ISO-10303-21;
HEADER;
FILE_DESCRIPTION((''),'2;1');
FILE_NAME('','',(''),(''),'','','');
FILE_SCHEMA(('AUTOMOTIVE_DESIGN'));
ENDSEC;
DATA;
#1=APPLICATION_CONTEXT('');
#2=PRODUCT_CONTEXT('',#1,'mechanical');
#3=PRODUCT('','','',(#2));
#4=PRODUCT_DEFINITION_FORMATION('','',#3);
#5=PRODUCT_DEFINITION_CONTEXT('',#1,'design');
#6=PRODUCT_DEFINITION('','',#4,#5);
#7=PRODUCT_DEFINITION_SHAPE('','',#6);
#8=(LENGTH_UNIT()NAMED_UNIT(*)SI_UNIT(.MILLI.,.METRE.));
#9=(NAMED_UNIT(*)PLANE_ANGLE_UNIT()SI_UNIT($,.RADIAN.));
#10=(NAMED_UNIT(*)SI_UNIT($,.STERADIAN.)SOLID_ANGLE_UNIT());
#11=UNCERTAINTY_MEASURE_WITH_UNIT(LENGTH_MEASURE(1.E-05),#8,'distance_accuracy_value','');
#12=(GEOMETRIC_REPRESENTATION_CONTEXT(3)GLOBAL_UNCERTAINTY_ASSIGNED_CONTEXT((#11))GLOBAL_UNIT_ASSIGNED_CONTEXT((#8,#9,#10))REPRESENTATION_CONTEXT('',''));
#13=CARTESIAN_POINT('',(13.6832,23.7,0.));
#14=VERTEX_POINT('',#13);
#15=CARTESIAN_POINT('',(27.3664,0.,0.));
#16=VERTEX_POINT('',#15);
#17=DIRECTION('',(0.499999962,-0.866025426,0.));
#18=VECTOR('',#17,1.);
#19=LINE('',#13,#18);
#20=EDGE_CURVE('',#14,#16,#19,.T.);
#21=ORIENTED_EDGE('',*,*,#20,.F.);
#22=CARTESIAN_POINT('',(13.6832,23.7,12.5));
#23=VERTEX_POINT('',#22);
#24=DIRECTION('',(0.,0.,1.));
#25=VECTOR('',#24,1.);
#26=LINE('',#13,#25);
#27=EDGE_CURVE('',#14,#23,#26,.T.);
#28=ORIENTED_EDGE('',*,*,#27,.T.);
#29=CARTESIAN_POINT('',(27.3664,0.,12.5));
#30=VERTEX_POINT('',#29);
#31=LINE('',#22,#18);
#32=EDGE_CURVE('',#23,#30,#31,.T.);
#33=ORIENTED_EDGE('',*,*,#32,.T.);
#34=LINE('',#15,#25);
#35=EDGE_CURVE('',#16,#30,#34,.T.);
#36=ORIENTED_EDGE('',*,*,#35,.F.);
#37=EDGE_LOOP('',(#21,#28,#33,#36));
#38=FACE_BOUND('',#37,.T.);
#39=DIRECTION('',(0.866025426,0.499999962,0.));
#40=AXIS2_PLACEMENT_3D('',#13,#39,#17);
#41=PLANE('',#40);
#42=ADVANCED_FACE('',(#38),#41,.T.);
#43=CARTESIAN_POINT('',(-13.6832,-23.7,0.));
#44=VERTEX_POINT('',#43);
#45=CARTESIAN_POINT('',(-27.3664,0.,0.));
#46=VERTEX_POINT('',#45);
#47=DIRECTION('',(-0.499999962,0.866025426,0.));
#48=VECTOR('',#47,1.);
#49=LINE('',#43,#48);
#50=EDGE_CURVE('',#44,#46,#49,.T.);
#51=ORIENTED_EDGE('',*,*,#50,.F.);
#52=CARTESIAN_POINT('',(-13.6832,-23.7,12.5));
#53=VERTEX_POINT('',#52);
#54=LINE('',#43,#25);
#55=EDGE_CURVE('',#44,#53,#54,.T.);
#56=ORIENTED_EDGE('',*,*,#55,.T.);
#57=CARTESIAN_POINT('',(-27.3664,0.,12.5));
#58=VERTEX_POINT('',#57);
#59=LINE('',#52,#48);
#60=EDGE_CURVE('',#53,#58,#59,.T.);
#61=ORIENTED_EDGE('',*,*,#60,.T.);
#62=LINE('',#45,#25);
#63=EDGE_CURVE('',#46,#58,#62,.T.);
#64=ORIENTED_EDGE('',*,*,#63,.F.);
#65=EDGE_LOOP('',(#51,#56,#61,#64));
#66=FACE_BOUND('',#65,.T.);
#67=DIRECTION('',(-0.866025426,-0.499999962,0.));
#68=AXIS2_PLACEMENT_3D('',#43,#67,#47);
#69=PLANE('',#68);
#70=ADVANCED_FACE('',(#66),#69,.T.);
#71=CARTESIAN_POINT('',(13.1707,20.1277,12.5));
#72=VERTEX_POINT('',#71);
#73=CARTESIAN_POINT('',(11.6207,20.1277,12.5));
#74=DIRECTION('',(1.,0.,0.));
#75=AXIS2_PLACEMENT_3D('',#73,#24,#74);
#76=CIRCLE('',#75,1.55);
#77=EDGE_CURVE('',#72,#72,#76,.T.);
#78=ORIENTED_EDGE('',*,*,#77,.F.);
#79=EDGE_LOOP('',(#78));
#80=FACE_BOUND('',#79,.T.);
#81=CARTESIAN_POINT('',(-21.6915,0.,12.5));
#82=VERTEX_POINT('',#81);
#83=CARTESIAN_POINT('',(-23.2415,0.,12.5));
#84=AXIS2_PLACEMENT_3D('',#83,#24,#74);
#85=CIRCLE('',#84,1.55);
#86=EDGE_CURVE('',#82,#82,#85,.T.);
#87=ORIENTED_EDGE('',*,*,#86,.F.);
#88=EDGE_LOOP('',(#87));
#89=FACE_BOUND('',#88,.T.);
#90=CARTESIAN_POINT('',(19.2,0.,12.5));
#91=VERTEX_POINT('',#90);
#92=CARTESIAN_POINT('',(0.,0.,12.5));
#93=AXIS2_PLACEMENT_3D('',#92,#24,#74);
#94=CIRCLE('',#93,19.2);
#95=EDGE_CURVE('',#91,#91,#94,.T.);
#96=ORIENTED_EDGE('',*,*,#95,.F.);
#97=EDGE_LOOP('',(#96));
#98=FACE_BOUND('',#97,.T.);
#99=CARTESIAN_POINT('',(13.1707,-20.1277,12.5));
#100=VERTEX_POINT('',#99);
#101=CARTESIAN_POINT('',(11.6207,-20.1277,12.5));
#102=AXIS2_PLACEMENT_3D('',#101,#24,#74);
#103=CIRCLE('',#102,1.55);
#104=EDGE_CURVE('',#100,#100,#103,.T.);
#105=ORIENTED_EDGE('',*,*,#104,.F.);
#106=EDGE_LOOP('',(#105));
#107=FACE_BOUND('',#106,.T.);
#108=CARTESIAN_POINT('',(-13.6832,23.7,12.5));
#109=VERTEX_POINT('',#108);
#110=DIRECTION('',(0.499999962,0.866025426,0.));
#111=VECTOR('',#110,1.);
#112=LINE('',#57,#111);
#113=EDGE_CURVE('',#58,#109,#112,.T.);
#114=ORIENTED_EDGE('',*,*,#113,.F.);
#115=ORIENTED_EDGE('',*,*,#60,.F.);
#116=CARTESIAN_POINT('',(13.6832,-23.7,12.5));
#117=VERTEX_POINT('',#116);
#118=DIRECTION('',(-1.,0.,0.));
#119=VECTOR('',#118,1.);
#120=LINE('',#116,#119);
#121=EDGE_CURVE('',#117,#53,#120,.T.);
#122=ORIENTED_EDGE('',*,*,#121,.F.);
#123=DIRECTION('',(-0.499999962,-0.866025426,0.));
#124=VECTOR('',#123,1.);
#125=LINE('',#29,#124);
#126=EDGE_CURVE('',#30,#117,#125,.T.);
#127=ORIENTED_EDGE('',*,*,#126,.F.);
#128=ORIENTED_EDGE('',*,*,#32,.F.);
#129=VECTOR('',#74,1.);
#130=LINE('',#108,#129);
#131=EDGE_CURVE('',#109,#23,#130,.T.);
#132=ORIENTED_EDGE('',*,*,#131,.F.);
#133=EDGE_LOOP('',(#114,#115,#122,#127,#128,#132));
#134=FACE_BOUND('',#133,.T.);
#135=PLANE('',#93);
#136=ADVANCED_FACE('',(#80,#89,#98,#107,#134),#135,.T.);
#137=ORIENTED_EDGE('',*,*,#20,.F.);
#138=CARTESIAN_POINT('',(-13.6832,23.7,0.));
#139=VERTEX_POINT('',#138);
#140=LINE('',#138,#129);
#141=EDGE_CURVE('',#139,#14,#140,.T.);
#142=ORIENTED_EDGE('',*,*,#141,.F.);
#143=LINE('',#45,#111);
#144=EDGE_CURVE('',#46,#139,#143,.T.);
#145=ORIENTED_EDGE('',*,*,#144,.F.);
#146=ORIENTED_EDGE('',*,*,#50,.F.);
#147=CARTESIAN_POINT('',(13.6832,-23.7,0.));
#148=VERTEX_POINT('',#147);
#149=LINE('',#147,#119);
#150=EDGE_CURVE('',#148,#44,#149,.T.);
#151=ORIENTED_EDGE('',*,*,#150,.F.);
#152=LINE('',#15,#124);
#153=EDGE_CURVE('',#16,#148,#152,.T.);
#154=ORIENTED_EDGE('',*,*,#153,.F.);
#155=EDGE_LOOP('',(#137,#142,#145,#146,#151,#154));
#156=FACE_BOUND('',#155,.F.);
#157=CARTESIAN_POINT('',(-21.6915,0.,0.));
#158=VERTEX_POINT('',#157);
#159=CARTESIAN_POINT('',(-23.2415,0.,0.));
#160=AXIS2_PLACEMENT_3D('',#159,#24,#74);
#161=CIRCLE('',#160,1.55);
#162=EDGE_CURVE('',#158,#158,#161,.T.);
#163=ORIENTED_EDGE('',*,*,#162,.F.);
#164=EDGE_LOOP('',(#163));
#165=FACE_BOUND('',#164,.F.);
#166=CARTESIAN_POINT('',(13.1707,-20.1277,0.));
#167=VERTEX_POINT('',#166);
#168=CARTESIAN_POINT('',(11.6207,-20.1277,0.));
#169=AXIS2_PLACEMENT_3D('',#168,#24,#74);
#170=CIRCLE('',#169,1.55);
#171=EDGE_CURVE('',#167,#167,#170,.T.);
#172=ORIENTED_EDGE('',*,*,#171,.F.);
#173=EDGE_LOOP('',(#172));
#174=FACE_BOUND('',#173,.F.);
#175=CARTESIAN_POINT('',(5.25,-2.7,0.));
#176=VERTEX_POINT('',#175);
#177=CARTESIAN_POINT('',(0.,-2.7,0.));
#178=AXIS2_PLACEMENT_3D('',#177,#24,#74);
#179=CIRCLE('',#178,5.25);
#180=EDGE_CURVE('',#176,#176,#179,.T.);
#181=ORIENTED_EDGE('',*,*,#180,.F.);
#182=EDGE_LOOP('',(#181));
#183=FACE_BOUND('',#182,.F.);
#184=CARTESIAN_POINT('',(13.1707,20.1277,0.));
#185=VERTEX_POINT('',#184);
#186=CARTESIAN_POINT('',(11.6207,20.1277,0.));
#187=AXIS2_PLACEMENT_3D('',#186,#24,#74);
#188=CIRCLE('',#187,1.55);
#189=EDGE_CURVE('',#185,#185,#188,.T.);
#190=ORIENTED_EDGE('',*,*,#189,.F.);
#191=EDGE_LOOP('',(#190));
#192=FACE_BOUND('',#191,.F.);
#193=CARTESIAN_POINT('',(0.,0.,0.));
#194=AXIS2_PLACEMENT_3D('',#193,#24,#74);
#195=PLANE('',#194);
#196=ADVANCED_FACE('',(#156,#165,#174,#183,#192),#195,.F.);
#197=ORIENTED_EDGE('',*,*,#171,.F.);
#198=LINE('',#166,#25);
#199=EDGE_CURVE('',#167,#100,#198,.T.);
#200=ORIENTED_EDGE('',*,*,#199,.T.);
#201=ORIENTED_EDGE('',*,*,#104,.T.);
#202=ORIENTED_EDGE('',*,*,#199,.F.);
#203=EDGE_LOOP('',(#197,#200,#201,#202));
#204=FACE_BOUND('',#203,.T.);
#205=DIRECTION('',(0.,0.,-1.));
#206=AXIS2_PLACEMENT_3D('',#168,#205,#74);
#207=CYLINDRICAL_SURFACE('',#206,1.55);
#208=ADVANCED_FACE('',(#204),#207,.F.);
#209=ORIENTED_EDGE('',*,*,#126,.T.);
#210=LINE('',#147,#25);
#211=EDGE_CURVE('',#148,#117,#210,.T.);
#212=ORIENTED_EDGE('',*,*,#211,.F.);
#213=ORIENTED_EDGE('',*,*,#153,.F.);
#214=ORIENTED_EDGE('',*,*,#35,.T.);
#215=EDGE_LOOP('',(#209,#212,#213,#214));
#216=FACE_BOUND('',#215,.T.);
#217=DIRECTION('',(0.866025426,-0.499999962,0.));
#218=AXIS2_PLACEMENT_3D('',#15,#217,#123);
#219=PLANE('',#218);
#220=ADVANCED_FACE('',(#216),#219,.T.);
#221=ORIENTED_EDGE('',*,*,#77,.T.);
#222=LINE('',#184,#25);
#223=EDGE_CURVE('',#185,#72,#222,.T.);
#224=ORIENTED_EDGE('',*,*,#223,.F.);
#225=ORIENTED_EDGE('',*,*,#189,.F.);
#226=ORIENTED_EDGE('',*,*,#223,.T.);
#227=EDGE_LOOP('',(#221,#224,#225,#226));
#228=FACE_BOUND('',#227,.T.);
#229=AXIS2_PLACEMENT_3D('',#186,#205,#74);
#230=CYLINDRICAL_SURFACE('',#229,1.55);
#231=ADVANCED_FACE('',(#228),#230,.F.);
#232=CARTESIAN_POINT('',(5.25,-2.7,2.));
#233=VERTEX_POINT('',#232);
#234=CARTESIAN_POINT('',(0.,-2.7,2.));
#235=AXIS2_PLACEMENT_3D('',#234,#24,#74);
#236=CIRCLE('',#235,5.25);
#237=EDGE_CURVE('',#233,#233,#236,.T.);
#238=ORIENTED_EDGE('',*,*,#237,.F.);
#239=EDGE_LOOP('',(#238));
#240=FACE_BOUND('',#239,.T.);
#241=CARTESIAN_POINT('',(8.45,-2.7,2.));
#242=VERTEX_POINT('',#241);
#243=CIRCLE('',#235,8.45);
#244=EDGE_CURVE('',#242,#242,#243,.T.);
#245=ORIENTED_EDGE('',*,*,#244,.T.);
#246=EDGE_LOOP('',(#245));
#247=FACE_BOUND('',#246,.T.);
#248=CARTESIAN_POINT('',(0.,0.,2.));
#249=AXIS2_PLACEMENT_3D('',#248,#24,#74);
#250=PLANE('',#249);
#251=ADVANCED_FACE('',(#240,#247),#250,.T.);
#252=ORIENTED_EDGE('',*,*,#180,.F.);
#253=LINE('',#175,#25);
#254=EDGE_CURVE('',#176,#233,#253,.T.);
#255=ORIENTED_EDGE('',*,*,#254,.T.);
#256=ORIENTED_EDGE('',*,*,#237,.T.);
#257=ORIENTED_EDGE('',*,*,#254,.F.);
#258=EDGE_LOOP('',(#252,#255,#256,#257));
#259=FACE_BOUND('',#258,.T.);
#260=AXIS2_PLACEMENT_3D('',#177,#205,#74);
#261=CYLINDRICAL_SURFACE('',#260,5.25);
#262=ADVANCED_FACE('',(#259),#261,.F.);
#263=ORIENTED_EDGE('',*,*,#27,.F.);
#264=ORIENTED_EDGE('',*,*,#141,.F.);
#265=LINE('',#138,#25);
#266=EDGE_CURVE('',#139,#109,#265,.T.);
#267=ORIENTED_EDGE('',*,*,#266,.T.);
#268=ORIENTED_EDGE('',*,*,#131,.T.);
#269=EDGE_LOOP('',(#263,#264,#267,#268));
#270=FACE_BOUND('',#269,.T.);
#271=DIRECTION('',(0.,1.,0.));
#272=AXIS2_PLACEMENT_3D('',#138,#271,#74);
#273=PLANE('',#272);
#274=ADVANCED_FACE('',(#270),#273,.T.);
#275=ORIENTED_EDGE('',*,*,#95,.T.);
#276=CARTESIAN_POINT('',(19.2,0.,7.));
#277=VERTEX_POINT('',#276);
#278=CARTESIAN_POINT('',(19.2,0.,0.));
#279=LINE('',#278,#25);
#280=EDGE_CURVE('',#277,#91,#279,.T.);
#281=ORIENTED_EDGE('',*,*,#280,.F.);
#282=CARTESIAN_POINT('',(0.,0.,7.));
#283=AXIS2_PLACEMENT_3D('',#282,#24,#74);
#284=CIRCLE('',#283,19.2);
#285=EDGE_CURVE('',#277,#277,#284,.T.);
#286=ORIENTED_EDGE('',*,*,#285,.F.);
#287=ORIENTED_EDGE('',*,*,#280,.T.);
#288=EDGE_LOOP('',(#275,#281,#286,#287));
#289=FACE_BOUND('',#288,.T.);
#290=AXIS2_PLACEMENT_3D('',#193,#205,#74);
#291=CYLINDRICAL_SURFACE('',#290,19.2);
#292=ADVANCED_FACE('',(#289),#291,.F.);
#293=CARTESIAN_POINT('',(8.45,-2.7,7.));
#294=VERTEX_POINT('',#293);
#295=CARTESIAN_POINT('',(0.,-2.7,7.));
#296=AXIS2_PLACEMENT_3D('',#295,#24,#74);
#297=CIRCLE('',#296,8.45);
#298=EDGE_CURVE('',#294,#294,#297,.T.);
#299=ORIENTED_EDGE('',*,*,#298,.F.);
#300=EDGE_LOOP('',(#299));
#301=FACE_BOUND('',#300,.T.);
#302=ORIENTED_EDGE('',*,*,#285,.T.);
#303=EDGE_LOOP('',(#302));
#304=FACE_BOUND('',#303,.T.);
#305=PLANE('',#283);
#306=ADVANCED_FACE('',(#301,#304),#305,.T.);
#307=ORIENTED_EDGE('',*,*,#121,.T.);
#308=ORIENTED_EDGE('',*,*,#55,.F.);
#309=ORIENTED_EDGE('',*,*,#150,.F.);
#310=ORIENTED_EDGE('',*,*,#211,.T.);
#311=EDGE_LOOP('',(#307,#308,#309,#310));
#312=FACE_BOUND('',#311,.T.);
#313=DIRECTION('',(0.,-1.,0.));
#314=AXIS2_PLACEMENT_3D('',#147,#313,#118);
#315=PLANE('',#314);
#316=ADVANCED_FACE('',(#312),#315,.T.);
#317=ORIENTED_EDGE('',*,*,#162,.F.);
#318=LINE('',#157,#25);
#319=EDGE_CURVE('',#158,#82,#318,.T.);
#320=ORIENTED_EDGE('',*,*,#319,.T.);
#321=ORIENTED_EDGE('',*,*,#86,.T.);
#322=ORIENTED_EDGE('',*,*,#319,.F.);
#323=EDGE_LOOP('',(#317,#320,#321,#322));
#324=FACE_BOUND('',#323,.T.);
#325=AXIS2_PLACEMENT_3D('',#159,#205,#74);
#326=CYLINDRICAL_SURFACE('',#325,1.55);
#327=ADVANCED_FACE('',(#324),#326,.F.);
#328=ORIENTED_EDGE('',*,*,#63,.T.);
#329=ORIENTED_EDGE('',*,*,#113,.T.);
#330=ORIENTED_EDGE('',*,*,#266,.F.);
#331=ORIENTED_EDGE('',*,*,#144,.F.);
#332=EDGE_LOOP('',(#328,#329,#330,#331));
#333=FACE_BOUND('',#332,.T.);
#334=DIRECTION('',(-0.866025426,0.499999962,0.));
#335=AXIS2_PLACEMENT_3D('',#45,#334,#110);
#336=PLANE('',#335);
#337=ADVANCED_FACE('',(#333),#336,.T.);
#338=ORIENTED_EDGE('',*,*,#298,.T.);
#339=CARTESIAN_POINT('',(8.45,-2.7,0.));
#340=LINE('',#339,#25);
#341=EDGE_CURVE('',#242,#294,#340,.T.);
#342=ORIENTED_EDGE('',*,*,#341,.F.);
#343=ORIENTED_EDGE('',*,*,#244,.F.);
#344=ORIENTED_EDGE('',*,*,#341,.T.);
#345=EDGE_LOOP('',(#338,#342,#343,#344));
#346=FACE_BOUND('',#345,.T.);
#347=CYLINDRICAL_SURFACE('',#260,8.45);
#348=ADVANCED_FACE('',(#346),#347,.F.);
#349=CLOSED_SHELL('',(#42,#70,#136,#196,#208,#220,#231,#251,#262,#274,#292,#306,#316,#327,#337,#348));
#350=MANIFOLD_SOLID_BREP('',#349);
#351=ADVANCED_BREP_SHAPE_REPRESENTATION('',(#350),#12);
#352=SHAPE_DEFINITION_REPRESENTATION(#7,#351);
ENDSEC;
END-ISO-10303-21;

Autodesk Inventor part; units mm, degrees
ref_plane "YZ Plane" through (0, 0, 0) normal (1, 0, 0) x (0, 1, 0)
ref_plane "XZ Plane" through (0, 0, 0) normal (0, 1, 0) x (-1, 0, 0)
sketch "Sketch1" plane through (0, 0, 0) normal (0, 0, 1) x (1, 0, 0)
  circle A0 centre (0, 0) radius 19.2
  line L0 (-13.6832, 23.7) -> (13.6832, 23.7)
  line L1 (13.6832, 23.7) -> (27.3664, 0)
  line L2 (27.3664, 0) -> (13.6832, -23.7)
  line L3 (13.6832, -23.7) -> (-13.6832, -23.7)
  line L4 (-13.6832, -23.7) -> (-27.3664, 0)
  line L5 (-27.3664, 0) -> (-13.6832, 23.7)
  circle A1 centre (11.6207, 20.1277) radius 1.55
  line L6 (0, 23.7) -> (0, 19.2) construction
  circle A2 centre (0, -2.7) radius 5.25
  circle A3 centre (0, -2.7) radius 8.45
  line L7 (11.6207, 20.1277) -> (9.6, 16.6277) construction
  circle A4 centre (-23.2415, 0) radius 1.55
  circle A5 centre (11.6207, -20.1277) radius 1.55
  point P0 (0, 21.45)
  point P1 (0, -19.2)
  dimension "d1" = 3.1
  dimension "d2" = 4.5
  dimension "d23" = 10.5
  dimension "d24" = 16.9
  dimension "d46" = 3.5
  dimension "d47" = -30
  dimension "d50" = 360
  dimension "d53" = 16.5
  dimension "d54" = 2.7
extrude "Extrusion1" add sketch "Sketch1" along normal blind 2 contours A3
extrude "Extrusion2" add sketch "Sketch1" along normal blind 7 contours A0
extrude "Extrusion3" add sketch "Sketch1" along normal blind 12.5 contours L0 L1 L2 L3 L4 L5
sketch "Sketch2" plane through (0, 0, 12.5) normal (0, 0, 1) x (1, 0, 0)
  circle A0 centre (0, 0) radius 19.2 projected
  line L0 (0, -19.2) -> (0, -23.7) construction
  line L1 (-13.6832, -23.7) -> (13.6832, -23.7) projected
  line L2 (-11.0127, -15.7277) -> (-14.9991, -21.4209) construction
  line L3 (-18.2603, -5.9331) -> (-23.0436, -7.4873) construction
  line L4 (9.6, 16.6277) -> (13.6832, 23.7)
  line L5 (13.5765, -13.5765) -> (17.3496, -17.3496)
  line L6 (13.6832, -23.7) -> (27.3664, 0) projected
  line L7 (27.3664, 0) -> (13.6832, 23.7) projected
  line L8 (-27.3664, 0) -> (-13.6832, -23.7) projected
  circle A1 centre (0, -2.7) radius 5.25 projected
  line L9 (-11.0127, -15.7277) -> (-13.1923, -18.8405)
  arc A2 (-18.2603, -5.9331) -> (-13.1923, -18.8405) centre (91.7215, 29.8021) ccw
  dimension "d15" = 35
  dimension "d16" = 72
  dimension "d18" = 150
  dimension "d19" = 45
  dimension "d45" = 3.8
ref_plane "Work Plane1" through (0, 0, 12.5) normal (0, 0, 1) x (1, 0, 0)
sketch "Sketch3" plane through (0, 0, 12.5) normal (0, 0, 1) x (1, 0, 0)
  line L0 (-12.6187, -18.0213) -> (7.041, -31.7872)
  line L1 (-11.1058, -22.8345) -> (5.2772, -34.3061)
  line L2 (-11.1058, -22.8345) -> (-13.1923, -18.8405)
  line L3 (5.2772, -34.3061) -> (7.041, -31.7872)
  line L4 (-12.6187, -18.0213) -> (-13.1923, -18.8405)
  line L5 (-11.0127, -15.7277) -> (-13.1923, -18.8405) projected
  point P0 (0, 0)
  dimension "d36" = 6.15
  dimension "d41" = 20
  dimension "d43" = 2
  dimension "d55" = 4
properties part number "Case V2"
